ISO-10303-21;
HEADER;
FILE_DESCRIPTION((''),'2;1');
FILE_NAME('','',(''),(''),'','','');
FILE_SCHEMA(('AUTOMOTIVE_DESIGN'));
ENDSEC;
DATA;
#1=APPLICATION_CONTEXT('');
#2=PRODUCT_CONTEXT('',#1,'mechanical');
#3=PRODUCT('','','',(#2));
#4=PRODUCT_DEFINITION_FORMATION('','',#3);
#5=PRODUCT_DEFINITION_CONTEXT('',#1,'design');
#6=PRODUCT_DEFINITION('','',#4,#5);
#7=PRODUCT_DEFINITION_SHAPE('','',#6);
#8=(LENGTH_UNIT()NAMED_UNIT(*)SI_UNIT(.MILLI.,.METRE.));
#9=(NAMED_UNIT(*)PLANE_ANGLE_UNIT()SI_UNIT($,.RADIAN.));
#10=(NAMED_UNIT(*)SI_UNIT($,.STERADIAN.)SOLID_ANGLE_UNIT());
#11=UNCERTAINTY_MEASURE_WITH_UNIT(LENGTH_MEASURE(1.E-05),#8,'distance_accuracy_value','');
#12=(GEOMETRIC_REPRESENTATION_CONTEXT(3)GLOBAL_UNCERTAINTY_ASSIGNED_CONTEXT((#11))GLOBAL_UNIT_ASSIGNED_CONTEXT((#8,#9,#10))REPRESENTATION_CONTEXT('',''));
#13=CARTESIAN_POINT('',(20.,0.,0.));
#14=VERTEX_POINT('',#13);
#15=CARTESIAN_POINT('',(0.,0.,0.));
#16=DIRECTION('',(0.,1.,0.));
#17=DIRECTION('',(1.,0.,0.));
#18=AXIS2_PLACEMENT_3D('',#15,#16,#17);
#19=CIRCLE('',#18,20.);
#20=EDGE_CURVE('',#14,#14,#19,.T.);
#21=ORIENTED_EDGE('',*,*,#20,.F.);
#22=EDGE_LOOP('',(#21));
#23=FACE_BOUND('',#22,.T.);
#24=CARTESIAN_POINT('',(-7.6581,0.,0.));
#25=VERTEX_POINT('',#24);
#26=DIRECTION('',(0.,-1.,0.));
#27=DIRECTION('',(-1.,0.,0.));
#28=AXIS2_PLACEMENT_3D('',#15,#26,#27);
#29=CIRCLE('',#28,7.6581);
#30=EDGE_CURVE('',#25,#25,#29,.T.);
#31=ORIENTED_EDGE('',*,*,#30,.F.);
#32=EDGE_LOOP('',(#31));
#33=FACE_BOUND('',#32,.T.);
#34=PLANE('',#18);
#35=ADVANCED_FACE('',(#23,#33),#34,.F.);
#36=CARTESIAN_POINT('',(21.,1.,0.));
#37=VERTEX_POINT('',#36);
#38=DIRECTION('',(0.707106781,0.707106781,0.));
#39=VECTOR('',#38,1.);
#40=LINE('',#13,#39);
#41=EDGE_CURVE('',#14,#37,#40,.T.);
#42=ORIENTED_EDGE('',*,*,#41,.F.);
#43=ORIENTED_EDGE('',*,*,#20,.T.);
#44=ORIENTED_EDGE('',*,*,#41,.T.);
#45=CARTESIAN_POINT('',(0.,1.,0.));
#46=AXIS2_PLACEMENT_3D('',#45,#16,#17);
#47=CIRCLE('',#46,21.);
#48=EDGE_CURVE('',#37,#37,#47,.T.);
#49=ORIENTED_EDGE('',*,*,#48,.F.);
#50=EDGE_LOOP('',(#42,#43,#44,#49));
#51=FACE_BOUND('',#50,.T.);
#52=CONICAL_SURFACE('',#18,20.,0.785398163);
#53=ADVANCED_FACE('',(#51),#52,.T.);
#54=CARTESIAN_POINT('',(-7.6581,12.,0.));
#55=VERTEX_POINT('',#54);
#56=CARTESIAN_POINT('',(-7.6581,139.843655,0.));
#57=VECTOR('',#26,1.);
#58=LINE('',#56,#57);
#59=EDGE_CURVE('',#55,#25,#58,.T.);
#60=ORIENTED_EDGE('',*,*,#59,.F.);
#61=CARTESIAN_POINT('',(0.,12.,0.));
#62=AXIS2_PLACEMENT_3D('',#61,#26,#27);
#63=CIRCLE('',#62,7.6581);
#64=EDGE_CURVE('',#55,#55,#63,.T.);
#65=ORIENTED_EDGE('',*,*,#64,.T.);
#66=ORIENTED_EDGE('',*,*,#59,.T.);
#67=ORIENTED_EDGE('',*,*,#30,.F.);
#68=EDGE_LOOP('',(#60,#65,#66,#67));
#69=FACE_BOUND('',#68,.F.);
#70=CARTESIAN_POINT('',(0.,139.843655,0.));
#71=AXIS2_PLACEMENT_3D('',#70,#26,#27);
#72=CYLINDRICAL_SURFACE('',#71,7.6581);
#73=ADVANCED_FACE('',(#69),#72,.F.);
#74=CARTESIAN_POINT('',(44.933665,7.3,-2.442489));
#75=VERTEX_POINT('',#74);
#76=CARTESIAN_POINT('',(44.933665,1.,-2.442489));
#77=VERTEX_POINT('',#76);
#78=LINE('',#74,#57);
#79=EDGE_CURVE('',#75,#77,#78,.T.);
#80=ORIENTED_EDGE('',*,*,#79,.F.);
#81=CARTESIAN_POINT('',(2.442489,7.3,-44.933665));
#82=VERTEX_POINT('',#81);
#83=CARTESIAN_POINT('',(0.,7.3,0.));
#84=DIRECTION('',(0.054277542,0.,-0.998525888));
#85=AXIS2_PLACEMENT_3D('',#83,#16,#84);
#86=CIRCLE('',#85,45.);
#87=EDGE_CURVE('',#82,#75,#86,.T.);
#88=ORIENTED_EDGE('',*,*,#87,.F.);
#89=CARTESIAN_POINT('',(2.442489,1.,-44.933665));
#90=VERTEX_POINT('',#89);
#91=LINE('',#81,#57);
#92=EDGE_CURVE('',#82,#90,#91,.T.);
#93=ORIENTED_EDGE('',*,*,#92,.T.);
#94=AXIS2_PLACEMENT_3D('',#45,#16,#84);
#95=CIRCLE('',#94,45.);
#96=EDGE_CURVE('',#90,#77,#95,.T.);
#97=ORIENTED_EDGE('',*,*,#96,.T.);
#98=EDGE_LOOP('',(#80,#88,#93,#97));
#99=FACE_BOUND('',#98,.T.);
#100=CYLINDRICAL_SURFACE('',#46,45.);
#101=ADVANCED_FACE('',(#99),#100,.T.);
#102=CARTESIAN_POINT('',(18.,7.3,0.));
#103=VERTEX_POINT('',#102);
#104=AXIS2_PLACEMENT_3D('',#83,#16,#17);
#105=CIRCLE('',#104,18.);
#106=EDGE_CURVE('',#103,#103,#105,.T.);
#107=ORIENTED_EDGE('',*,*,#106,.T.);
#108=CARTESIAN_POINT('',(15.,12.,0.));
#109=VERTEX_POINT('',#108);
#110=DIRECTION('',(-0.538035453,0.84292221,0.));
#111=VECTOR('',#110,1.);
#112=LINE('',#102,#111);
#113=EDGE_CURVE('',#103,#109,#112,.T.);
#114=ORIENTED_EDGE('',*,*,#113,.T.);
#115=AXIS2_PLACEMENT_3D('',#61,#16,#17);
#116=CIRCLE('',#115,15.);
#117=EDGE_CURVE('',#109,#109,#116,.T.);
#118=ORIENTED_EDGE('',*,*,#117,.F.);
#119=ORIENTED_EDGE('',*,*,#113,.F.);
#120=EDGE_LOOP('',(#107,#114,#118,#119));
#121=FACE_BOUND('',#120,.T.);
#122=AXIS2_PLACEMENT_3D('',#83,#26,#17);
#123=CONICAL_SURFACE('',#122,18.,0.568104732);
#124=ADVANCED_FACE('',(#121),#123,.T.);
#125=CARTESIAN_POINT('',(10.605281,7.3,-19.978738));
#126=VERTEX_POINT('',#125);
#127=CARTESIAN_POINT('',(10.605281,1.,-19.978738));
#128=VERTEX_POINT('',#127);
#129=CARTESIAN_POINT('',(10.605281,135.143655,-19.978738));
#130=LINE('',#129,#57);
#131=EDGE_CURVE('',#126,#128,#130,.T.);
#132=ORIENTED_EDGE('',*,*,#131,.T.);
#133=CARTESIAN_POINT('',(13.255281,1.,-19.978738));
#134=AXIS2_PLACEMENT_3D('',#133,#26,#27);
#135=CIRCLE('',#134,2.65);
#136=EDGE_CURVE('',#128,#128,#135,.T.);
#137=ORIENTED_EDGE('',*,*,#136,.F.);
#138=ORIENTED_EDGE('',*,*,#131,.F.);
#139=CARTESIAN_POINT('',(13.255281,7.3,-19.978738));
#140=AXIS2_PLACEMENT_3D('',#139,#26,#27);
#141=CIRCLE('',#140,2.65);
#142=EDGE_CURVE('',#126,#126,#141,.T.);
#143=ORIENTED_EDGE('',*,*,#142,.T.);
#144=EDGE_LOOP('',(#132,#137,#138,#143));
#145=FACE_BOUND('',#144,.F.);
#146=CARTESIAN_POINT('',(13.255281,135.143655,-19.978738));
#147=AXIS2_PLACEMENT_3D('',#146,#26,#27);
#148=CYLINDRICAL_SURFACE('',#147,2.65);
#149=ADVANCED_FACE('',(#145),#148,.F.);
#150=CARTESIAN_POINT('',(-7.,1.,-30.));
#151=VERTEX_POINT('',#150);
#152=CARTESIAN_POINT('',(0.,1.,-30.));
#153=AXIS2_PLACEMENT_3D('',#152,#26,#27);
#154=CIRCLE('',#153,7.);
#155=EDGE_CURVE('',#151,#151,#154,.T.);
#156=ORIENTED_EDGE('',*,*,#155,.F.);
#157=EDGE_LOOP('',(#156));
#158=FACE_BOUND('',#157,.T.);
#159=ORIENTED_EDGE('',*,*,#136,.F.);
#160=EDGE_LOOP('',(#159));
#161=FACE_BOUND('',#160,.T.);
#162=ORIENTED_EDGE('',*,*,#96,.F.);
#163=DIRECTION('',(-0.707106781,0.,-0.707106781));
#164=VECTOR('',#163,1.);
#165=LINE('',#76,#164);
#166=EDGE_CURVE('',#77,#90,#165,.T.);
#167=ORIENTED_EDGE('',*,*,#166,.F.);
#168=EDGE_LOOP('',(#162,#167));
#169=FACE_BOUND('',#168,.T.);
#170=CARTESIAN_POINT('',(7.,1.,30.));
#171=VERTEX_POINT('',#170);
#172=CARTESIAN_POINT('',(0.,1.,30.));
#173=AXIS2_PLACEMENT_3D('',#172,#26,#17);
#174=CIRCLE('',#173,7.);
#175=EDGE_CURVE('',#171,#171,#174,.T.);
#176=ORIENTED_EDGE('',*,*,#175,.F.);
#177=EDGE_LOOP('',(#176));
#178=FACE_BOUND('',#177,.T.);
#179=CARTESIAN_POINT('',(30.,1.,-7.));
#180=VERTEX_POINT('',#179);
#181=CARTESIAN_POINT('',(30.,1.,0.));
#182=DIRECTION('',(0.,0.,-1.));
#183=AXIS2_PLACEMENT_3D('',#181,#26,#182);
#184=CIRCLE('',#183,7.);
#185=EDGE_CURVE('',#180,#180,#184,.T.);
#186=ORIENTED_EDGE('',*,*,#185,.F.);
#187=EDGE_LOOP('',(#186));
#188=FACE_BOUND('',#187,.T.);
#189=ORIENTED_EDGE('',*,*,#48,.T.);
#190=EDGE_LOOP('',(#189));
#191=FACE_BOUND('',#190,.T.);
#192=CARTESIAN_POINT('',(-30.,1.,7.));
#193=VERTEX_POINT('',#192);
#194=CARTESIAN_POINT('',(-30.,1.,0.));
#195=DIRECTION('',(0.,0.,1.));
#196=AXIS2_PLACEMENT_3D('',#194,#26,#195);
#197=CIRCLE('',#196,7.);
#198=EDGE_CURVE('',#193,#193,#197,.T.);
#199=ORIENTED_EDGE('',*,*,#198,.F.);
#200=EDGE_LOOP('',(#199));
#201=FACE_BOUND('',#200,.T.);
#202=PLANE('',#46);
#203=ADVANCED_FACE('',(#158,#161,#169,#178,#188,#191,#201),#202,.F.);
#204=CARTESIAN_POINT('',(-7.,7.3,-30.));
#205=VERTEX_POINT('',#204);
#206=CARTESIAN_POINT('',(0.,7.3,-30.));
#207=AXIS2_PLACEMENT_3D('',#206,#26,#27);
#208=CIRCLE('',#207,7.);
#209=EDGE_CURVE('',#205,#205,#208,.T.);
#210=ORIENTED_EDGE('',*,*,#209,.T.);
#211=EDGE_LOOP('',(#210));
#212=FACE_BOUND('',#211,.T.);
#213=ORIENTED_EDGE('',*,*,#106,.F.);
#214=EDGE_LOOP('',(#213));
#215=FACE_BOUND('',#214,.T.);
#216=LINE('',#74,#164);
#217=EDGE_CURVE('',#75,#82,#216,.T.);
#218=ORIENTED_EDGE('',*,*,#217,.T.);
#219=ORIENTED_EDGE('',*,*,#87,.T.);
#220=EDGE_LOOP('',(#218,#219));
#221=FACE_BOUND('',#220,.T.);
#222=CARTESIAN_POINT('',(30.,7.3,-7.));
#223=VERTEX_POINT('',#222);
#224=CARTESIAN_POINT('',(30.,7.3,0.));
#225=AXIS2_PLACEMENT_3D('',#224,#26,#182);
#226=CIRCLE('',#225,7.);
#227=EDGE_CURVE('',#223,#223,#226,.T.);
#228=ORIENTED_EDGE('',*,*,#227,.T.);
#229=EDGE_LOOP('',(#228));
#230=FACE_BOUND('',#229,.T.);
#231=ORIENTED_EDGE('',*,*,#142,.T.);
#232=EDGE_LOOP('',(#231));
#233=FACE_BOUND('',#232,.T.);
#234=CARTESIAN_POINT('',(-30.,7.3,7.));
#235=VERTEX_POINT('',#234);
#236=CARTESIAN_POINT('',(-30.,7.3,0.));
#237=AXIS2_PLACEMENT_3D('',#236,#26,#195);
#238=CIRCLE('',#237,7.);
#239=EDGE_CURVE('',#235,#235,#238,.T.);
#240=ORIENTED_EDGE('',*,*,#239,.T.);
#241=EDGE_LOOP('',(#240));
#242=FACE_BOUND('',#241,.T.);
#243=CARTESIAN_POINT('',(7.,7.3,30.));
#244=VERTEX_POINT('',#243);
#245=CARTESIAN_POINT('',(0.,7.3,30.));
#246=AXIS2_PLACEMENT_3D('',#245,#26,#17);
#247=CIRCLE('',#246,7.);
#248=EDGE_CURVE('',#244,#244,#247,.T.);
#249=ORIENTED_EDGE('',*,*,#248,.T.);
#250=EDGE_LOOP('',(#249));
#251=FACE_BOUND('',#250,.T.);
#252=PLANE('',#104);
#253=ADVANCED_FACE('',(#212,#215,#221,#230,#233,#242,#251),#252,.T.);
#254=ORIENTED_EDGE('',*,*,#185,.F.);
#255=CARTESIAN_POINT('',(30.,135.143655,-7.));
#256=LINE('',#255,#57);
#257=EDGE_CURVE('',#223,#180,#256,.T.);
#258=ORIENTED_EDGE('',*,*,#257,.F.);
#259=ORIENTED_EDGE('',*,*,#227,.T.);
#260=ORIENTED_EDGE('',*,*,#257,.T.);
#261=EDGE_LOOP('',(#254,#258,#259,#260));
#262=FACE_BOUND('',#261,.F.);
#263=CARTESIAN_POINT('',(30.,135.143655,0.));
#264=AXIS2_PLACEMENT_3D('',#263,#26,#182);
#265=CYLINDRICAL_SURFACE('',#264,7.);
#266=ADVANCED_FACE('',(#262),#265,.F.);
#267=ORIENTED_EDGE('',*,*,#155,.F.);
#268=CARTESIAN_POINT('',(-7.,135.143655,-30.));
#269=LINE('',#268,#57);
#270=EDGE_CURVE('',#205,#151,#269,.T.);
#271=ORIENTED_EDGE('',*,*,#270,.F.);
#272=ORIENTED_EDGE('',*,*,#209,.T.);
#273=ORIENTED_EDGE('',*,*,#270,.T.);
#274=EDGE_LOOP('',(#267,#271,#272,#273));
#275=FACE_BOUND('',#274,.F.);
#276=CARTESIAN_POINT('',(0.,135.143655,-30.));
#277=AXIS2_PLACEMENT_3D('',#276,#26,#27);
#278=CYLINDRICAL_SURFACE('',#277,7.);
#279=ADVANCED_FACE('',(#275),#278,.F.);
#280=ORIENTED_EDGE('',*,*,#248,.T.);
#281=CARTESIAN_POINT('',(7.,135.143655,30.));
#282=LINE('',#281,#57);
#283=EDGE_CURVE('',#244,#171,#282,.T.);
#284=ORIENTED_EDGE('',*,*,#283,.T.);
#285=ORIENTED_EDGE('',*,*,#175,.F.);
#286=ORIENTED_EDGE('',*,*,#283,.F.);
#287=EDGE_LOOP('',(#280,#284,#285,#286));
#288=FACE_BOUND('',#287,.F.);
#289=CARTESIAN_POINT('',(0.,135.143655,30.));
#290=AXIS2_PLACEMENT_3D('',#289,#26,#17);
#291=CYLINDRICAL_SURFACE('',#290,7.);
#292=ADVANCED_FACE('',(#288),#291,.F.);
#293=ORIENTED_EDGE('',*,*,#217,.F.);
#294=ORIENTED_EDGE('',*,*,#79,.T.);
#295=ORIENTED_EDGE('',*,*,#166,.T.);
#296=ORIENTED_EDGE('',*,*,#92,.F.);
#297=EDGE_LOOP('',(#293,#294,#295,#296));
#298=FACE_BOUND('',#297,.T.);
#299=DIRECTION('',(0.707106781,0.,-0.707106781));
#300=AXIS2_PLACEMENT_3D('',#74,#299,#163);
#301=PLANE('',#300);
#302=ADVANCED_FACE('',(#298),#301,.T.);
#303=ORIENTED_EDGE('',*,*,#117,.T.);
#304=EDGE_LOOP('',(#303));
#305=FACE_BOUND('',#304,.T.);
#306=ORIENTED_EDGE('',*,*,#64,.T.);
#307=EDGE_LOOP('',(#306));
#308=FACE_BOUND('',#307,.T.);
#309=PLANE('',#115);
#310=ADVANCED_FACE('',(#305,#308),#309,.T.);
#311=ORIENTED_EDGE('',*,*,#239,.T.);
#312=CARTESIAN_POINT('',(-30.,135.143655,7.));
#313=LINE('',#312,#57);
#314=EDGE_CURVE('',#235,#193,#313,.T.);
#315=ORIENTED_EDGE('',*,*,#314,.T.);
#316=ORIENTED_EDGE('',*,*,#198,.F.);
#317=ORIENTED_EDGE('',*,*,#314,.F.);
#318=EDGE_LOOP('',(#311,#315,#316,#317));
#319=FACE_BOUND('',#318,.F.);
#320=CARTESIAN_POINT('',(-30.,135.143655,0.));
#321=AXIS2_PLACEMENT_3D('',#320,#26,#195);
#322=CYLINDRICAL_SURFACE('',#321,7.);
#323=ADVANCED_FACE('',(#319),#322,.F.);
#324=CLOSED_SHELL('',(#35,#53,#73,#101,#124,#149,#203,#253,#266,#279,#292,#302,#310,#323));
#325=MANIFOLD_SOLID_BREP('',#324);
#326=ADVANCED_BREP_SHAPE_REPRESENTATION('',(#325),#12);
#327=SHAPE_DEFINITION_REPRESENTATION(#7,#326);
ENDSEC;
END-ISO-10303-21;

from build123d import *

# Parameters (mm, degrees)
F_14_0_14_DURCHMESSER_BOHRUNG2_D = 14
KREISMUSTER2_COUNT               = 4
F_3_8_18_NPSM_GEWINDEBOHRUNG1_D  = 15.3162
SCHNITT_LINEAR_AUSTRAGEN1_DEPTH  = 6.3
F_5_3_5_3_DURCHMESSER_BOHRUNG1_D = 5.3


with BuildPart() as part:
    # Skizze1 → Rotation1 (revolve)
    with BuildSketch(Plane.XY):
        Polygon((15, 12), (0, 12), (0, 0), (20, 0), (21, 1), (45, 1), (45, 7.3), (18, 7.3), align=None)
    revolve(axis=Axis((0, 0, 0), (0, 1, 0)))

    # Ø14.0 (14) Durchmesser Bohrung2 (through all)
    with Locations(Plane(origin=(0, 7.3, 0), x_dir=(1, 0, 0), z_dir=(0, 1, 0))):
        with Locations((0, 30)):
            f_14_0_14_durchmesser_bohrung2 = Hole(F_14_0_14_DURCHMESSER_BOHRUNG2_D / 2)

    # Kreismuster2: Ø14.0 (14) Durchmesser Bohrung2 ×4 about axis
    kreismuster2_axis = Axis((0, 0, 0), (0, 1, 0))
    for i in range(1, KREISMUSTER2_COUNT):
        add(f_14_0_14_durchmesser_bohrung2.rotate(kreismuster2_axis, i * 360 / KREISMUSTER2_COUNT), mode=Mode.SUBTRACT)

    # 3/8-18 NPSM Gewindebohrung1 (through all)
    with Locations(Plane(origin=(0, 12, 0), x_dir=(1, 0, 0), z_dir=(0, 1, 0))):
        with Locations((0, 0)):
            Hole(F_3_8_18_NPSM_GEWINDEBOHRUNG1_D / 2)

    # Skizze16 → Schnitt-Linear austragen1 (cut)
    with BuildSketch(Plane(origin=(0, 7.3, 0), x_dir=(1, 0, 0), z_dir=(0, 1, 0))):
        with BuildLine():
            Line((44.933664947, 2.442489393), (2.442489393, 44.933664947))
            ThreePointArc((2.442489393, 44.933664947), (31.819805153, 31.819805153), (44.933664947, 2.442489393))
        make_face()
    extrude(amount=-SCHNITT_LINEAR_AUSTRAGEN1_DEPTH, mode=Mode.SUBTRACT)

    # Ø5.3 (5.3) Durchmesser Bohrung1 (through all)
    with Locations(Plane(origin=(0, 7.3, 0), x_dir=(1, 0, 0), z_dir=(0, 1, 0))):
        with Locations((13.25528115, 19.978737566)):
            Hole(F_5_3_5_3_DURCHMESSER_BOHRUNG1_D / 2)


solid = part.part
